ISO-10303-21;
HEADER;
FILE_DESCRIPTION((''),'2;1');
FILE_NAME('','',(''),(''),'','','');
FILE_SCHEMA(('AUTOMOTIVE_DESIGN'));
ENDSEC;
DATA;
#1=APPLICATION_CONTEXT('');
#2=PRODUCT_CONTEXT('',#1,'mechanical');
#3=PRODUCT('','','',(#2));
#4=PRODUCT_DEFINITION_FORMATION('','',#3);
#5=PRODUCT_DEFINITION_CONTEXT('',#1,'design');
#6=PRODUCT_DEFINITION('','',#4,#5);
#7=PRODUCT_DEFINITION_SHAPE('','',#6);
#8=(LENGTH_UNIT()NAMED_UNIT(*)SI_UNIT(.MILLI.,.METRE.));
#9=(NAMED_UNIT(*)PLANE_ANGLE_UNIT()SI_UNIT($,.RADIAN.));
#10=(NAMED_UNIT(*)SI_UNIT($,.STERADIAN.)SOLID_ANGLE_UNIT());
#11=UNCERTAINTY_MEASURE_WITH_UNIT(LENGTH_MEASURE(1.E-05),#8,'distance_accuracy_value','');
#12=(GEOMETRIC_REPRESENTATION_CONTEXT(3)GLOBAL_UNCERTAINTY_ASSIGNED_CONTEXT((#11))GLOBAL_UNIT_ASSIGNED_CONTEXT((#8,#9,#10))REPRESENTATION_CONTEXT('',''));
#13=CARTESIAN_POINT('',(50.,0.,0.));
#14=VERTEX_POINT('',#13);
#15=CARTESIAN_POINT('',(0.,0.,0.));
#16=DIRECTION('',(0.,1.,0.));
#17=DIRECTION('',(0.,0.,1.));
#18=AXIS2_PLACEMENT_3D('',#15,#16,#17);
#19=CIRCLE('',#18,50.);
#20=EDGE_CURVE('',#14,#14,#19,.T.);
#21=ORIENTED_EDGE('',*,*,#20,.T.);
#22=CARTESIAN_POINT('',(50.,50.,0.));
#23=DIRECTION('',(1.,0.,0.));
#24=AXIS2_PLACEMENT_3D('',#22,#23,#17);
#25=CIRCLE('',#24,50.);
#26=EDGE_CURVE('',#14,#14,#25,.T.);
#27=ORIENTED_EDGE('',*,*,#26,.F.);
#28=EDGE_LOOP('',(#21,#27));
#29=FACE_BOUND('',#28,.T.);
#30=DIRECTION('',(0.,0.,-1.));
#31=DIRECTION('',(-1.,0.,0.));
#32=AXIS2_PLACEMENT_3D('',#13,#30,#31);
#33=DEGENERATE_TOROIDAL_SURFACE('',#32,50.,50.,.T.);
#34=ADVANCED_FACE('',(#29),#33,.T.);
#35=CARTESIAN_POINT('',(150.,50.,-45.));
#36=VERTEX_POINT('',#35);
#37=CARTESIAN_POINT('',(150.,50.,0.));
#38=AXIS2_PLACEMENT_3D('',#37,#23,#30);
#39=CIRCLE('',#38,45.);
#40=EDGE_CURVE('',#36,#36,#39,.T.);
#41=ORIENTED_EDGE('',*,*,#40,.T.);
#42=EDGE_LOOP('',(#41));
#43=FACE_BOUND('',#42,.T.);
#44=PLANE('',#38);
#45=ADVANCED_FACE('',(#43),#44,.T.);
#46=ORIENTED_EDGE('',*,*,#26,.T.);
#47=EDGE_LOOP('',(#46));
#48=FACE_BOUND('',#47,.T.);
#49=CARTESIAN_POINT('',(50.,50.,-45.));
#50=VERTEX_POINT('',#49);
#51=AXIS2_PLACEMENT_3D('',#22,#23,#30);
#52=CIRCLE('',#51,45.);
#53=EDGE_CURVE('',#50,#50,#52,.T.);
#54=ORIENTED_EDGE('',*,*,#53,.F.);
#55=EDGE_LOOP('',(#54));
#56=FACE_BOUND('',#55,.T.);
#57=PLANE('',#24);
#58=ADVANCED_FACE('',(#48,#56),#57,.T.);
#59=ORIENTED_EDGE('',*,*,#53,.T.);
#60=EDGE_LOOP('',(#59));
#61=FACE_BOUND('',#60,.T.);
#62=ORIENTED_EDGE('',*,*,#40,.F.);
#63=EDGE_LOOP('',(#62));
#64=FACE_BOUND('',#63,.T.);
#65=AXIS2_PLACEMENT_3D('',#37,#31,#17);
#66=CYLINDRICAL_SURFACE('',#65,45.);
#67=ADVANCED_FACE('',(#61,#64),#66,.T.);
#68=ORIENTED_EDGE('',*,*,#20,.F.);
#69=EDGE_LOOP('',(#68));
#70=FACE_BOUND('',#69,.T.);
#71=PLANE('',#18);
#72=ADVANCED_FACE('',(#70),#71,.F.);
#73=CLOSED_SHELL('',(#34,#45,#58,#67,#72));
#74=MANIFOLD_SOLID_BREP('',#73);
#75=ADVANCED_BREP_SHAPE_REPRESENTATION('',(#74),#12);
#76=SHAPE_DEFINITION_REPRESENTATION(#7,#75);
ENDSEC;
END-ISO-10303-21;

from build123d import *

# Parameters (mm, degrees)
SKETCH2_R           = 50
SKETCH5_R           = 45
BOSS_EXTRUDE1_DEPTH = 100


with BuildPart() as part:
    # Sweep1: sweep along a path in Sketch4
    with BuildLine(Plane.XY) as sweep1_path:
        ThreePointArc((0, 0), (14.644660941, 35.355339059), (50, 50))
    # Sketch2 → Sweep1 (sweep)
    with BuildSketch(Plane(origin=(0, 0, 0), x_dir=(1, 0, 0), z_dir=(0, 1, 0))):
        Circle(SKETCH2_R)
    sweep(path=sweep1_path.line)

    # Sketch5 → Boss-Extrude1 (add)
    with BuildSketch(Plane(origin=(50, 0, 0), x_dir=(0, 0, -1), z_dir=(1, 0, 0))):
        with Locations((0, 50)):
            Circle(SKETCH5_R)
    extrude(amount=BOSS_EXTRUDE1_DEPTH)


solid = part.part
